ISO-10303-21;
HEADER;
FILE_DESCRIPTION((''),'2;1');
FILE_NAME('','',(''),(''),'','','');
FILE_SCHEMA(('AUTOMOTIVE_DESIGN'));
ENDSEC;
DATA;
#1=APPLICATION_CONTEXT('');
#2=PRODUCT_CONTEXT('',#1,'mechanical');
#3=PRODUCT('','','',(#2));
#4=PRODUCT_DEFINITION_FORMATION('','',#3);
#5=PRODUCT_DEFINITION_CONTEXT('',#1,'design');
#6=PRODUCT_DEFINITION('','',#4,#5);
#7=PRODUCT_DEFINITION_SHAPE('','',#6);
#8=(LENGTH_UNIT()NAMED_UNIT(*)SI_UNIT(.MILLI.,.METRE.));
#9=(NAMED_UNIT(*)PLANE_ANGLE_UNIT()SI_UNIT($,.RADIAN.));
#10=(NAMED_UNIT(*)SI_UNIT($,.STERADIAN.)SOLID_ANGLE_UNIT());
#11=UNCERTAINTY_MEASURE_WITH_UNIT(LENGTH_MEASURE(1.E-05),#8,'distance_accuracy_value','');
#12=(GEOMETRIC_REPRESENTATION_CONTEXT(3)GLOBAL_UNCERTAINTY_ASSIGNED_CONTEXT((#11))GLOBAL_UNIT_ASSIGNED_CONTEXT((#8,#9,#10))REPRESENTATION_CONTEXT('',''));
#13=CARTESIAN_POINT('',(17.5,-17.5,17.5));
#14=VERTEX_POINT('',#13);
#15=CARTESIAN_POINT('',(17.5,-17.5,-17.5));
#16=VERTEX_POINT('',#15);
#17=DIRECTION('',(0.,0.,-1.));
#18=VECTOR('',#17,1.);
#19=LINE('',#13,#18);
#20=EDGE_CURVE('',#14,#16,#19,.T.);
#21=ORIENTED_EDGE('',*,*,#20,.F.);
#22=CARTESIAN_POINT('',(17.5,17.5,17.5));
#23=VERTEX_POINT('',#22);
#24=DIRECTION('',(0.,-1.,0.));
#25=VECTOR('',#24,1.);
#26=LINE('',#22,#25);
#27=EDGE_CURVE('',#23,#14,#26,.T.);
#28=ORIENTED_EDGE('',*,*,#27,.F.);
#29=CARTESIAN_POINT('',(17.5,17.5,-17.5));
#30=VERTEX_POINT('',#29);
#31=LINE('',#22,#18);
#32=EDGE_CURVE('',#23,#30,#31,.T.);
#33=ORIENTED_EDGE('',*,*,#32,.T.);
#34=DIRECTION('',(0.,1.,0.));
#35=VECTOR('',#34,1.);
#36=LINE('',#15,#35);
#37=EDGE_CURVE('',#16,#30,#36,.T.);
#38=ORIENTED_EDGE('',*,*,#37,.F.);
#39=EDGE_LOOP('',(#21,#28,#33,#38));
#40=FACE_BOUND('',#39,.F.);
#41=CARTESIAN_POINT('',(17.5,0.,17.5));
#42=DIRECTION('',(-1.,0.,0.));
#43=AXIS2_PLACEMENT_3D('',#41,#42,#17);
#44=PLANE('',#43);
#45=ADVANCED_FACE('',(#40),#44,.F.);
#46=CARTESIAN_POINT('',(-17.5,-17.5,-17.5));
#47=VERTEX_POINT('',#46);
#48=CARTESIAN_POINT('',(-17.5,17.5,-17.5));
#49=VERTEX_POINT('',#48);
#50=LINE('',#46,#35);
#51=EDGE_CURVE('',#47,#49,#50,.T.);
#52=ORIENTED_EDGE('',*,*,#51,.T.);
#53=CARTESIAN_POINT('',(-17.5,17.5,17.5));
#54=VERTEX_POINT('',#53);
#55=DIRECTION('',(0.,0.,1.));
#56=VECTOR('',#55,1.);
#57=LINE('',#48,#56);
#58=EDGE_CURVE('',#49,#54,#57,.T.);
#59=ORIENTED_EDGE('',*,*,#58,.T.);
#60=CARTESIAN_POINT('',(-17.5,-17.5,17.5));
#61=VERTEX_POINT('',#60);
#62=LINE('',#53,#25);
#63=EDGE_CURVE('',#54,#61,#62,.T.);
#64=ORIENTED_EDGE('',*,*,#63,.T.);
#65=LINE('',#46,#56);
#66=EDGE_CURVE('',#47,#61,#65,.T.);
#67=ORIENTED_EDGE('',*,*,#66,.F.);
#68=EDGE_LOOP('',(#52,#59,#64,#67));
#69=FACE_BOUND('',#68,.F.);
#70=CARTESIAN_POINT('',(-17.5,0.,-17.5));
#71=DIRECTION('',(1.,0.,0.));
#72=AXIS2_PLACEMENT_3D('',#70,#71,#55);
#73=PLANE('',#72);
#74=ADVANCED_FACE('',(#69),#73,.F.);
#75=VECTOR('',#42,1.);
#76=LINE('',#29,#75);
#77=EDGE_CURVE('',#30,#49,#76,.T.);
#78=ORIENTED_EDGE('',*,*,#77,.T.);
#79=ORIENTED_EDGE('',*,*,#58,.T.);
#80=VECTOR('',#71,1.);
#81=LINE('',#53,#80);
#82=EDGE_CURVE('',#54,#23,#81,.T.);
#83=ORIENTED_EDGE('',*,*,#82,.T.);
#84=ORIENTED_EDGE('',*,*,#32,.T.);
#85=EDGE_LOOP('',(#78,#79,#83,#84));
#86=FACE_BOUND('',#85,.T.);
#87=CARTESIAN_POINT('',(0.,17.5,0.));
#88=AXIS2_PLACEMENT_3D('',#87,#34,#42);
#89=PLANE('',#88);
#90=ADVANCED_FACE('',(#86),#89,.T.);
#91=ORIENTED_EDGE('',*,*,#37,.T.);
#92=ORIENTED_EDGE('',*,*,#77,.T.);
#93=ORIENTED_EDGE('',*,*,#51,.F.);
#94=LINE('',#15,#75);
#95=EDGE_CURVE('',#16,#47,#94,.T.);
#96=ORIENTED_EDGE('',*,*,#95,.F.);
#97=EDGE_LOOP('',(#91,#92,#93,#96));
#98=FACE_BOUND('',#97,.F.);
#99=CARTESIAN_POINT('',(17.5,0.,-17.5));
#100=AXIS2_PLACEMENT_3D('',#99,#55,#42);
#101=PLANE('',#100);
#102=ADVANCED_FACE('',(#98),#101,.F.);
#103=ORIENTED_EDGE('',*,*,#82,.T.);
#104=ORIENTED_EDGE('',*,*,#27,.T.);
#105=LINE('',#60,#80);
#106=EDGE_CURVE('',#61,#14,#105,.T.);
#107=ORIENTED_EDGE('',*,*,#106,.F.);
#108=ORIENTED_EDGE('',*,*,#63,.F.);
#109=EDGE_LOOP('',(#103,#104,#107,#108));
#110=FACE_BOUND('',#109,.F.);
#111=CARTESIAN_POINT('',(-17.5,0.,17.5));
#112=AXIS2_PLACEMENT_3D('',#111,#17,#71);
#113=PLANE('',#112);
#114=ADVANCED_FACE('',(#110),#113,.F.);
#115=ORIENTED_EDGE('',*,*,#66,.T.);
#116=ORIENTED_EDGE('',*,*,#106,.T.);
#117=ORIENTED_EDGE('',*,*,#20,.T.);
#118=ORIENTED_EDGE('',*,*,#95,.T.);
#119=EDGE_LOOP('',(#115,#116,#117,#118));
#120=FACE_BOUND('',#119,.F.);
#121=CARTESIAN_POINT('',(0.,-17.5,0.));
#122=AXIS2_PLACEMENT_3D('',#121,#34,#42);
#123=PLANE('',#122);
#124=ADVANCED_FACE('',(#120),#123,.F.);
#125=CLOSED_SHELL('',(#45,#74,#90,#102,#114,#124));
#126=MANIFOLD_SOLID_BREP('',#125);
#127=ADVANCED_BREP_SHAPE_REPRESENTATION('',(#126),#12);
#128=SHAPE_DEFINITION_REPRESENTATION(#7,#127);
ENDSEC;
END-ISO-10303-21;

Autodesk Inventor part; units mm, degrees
ref_plane "YZ Plane" through (0, 0, 0) normal (1, 0, 0) x (0, 1, 0)
ref_plane "XZ Plane" through (0, 0, 0) normal (0, 1, 0) x (-1, 0, 0)
ref_plane "XY Plane" through (0, 0, 0) normal (0, 0, 1) x (1, 0, 0)
sketch "Sketch1" plane through (0, 0, 0) normal (0, 1, 0) x (-1, 0, 0)
  line L0 (-17.5, -17.5) -> (17.5, -17.5)
  line L1 (17.5, -17.5) -> (17.5, 17.5)
  line L2 (17.5, 17.5) -> (-17.5, 17.5)
  line L3 (-17.5, 17.5) -> (-17.5, -17.5)
  line L4 (-17.5, -17.5) -> (17.5, 17.5) construction
  line L5 (17.5, -17.5) -> (-17.5, 17.5) construction
  point P0 (0, 0)
  dimension "d0" = 35
  dimension "d1" = 35
extrude "Extrusion1" add sketch "Sketch1" along normal mid plane 35
properties part number "cube"
